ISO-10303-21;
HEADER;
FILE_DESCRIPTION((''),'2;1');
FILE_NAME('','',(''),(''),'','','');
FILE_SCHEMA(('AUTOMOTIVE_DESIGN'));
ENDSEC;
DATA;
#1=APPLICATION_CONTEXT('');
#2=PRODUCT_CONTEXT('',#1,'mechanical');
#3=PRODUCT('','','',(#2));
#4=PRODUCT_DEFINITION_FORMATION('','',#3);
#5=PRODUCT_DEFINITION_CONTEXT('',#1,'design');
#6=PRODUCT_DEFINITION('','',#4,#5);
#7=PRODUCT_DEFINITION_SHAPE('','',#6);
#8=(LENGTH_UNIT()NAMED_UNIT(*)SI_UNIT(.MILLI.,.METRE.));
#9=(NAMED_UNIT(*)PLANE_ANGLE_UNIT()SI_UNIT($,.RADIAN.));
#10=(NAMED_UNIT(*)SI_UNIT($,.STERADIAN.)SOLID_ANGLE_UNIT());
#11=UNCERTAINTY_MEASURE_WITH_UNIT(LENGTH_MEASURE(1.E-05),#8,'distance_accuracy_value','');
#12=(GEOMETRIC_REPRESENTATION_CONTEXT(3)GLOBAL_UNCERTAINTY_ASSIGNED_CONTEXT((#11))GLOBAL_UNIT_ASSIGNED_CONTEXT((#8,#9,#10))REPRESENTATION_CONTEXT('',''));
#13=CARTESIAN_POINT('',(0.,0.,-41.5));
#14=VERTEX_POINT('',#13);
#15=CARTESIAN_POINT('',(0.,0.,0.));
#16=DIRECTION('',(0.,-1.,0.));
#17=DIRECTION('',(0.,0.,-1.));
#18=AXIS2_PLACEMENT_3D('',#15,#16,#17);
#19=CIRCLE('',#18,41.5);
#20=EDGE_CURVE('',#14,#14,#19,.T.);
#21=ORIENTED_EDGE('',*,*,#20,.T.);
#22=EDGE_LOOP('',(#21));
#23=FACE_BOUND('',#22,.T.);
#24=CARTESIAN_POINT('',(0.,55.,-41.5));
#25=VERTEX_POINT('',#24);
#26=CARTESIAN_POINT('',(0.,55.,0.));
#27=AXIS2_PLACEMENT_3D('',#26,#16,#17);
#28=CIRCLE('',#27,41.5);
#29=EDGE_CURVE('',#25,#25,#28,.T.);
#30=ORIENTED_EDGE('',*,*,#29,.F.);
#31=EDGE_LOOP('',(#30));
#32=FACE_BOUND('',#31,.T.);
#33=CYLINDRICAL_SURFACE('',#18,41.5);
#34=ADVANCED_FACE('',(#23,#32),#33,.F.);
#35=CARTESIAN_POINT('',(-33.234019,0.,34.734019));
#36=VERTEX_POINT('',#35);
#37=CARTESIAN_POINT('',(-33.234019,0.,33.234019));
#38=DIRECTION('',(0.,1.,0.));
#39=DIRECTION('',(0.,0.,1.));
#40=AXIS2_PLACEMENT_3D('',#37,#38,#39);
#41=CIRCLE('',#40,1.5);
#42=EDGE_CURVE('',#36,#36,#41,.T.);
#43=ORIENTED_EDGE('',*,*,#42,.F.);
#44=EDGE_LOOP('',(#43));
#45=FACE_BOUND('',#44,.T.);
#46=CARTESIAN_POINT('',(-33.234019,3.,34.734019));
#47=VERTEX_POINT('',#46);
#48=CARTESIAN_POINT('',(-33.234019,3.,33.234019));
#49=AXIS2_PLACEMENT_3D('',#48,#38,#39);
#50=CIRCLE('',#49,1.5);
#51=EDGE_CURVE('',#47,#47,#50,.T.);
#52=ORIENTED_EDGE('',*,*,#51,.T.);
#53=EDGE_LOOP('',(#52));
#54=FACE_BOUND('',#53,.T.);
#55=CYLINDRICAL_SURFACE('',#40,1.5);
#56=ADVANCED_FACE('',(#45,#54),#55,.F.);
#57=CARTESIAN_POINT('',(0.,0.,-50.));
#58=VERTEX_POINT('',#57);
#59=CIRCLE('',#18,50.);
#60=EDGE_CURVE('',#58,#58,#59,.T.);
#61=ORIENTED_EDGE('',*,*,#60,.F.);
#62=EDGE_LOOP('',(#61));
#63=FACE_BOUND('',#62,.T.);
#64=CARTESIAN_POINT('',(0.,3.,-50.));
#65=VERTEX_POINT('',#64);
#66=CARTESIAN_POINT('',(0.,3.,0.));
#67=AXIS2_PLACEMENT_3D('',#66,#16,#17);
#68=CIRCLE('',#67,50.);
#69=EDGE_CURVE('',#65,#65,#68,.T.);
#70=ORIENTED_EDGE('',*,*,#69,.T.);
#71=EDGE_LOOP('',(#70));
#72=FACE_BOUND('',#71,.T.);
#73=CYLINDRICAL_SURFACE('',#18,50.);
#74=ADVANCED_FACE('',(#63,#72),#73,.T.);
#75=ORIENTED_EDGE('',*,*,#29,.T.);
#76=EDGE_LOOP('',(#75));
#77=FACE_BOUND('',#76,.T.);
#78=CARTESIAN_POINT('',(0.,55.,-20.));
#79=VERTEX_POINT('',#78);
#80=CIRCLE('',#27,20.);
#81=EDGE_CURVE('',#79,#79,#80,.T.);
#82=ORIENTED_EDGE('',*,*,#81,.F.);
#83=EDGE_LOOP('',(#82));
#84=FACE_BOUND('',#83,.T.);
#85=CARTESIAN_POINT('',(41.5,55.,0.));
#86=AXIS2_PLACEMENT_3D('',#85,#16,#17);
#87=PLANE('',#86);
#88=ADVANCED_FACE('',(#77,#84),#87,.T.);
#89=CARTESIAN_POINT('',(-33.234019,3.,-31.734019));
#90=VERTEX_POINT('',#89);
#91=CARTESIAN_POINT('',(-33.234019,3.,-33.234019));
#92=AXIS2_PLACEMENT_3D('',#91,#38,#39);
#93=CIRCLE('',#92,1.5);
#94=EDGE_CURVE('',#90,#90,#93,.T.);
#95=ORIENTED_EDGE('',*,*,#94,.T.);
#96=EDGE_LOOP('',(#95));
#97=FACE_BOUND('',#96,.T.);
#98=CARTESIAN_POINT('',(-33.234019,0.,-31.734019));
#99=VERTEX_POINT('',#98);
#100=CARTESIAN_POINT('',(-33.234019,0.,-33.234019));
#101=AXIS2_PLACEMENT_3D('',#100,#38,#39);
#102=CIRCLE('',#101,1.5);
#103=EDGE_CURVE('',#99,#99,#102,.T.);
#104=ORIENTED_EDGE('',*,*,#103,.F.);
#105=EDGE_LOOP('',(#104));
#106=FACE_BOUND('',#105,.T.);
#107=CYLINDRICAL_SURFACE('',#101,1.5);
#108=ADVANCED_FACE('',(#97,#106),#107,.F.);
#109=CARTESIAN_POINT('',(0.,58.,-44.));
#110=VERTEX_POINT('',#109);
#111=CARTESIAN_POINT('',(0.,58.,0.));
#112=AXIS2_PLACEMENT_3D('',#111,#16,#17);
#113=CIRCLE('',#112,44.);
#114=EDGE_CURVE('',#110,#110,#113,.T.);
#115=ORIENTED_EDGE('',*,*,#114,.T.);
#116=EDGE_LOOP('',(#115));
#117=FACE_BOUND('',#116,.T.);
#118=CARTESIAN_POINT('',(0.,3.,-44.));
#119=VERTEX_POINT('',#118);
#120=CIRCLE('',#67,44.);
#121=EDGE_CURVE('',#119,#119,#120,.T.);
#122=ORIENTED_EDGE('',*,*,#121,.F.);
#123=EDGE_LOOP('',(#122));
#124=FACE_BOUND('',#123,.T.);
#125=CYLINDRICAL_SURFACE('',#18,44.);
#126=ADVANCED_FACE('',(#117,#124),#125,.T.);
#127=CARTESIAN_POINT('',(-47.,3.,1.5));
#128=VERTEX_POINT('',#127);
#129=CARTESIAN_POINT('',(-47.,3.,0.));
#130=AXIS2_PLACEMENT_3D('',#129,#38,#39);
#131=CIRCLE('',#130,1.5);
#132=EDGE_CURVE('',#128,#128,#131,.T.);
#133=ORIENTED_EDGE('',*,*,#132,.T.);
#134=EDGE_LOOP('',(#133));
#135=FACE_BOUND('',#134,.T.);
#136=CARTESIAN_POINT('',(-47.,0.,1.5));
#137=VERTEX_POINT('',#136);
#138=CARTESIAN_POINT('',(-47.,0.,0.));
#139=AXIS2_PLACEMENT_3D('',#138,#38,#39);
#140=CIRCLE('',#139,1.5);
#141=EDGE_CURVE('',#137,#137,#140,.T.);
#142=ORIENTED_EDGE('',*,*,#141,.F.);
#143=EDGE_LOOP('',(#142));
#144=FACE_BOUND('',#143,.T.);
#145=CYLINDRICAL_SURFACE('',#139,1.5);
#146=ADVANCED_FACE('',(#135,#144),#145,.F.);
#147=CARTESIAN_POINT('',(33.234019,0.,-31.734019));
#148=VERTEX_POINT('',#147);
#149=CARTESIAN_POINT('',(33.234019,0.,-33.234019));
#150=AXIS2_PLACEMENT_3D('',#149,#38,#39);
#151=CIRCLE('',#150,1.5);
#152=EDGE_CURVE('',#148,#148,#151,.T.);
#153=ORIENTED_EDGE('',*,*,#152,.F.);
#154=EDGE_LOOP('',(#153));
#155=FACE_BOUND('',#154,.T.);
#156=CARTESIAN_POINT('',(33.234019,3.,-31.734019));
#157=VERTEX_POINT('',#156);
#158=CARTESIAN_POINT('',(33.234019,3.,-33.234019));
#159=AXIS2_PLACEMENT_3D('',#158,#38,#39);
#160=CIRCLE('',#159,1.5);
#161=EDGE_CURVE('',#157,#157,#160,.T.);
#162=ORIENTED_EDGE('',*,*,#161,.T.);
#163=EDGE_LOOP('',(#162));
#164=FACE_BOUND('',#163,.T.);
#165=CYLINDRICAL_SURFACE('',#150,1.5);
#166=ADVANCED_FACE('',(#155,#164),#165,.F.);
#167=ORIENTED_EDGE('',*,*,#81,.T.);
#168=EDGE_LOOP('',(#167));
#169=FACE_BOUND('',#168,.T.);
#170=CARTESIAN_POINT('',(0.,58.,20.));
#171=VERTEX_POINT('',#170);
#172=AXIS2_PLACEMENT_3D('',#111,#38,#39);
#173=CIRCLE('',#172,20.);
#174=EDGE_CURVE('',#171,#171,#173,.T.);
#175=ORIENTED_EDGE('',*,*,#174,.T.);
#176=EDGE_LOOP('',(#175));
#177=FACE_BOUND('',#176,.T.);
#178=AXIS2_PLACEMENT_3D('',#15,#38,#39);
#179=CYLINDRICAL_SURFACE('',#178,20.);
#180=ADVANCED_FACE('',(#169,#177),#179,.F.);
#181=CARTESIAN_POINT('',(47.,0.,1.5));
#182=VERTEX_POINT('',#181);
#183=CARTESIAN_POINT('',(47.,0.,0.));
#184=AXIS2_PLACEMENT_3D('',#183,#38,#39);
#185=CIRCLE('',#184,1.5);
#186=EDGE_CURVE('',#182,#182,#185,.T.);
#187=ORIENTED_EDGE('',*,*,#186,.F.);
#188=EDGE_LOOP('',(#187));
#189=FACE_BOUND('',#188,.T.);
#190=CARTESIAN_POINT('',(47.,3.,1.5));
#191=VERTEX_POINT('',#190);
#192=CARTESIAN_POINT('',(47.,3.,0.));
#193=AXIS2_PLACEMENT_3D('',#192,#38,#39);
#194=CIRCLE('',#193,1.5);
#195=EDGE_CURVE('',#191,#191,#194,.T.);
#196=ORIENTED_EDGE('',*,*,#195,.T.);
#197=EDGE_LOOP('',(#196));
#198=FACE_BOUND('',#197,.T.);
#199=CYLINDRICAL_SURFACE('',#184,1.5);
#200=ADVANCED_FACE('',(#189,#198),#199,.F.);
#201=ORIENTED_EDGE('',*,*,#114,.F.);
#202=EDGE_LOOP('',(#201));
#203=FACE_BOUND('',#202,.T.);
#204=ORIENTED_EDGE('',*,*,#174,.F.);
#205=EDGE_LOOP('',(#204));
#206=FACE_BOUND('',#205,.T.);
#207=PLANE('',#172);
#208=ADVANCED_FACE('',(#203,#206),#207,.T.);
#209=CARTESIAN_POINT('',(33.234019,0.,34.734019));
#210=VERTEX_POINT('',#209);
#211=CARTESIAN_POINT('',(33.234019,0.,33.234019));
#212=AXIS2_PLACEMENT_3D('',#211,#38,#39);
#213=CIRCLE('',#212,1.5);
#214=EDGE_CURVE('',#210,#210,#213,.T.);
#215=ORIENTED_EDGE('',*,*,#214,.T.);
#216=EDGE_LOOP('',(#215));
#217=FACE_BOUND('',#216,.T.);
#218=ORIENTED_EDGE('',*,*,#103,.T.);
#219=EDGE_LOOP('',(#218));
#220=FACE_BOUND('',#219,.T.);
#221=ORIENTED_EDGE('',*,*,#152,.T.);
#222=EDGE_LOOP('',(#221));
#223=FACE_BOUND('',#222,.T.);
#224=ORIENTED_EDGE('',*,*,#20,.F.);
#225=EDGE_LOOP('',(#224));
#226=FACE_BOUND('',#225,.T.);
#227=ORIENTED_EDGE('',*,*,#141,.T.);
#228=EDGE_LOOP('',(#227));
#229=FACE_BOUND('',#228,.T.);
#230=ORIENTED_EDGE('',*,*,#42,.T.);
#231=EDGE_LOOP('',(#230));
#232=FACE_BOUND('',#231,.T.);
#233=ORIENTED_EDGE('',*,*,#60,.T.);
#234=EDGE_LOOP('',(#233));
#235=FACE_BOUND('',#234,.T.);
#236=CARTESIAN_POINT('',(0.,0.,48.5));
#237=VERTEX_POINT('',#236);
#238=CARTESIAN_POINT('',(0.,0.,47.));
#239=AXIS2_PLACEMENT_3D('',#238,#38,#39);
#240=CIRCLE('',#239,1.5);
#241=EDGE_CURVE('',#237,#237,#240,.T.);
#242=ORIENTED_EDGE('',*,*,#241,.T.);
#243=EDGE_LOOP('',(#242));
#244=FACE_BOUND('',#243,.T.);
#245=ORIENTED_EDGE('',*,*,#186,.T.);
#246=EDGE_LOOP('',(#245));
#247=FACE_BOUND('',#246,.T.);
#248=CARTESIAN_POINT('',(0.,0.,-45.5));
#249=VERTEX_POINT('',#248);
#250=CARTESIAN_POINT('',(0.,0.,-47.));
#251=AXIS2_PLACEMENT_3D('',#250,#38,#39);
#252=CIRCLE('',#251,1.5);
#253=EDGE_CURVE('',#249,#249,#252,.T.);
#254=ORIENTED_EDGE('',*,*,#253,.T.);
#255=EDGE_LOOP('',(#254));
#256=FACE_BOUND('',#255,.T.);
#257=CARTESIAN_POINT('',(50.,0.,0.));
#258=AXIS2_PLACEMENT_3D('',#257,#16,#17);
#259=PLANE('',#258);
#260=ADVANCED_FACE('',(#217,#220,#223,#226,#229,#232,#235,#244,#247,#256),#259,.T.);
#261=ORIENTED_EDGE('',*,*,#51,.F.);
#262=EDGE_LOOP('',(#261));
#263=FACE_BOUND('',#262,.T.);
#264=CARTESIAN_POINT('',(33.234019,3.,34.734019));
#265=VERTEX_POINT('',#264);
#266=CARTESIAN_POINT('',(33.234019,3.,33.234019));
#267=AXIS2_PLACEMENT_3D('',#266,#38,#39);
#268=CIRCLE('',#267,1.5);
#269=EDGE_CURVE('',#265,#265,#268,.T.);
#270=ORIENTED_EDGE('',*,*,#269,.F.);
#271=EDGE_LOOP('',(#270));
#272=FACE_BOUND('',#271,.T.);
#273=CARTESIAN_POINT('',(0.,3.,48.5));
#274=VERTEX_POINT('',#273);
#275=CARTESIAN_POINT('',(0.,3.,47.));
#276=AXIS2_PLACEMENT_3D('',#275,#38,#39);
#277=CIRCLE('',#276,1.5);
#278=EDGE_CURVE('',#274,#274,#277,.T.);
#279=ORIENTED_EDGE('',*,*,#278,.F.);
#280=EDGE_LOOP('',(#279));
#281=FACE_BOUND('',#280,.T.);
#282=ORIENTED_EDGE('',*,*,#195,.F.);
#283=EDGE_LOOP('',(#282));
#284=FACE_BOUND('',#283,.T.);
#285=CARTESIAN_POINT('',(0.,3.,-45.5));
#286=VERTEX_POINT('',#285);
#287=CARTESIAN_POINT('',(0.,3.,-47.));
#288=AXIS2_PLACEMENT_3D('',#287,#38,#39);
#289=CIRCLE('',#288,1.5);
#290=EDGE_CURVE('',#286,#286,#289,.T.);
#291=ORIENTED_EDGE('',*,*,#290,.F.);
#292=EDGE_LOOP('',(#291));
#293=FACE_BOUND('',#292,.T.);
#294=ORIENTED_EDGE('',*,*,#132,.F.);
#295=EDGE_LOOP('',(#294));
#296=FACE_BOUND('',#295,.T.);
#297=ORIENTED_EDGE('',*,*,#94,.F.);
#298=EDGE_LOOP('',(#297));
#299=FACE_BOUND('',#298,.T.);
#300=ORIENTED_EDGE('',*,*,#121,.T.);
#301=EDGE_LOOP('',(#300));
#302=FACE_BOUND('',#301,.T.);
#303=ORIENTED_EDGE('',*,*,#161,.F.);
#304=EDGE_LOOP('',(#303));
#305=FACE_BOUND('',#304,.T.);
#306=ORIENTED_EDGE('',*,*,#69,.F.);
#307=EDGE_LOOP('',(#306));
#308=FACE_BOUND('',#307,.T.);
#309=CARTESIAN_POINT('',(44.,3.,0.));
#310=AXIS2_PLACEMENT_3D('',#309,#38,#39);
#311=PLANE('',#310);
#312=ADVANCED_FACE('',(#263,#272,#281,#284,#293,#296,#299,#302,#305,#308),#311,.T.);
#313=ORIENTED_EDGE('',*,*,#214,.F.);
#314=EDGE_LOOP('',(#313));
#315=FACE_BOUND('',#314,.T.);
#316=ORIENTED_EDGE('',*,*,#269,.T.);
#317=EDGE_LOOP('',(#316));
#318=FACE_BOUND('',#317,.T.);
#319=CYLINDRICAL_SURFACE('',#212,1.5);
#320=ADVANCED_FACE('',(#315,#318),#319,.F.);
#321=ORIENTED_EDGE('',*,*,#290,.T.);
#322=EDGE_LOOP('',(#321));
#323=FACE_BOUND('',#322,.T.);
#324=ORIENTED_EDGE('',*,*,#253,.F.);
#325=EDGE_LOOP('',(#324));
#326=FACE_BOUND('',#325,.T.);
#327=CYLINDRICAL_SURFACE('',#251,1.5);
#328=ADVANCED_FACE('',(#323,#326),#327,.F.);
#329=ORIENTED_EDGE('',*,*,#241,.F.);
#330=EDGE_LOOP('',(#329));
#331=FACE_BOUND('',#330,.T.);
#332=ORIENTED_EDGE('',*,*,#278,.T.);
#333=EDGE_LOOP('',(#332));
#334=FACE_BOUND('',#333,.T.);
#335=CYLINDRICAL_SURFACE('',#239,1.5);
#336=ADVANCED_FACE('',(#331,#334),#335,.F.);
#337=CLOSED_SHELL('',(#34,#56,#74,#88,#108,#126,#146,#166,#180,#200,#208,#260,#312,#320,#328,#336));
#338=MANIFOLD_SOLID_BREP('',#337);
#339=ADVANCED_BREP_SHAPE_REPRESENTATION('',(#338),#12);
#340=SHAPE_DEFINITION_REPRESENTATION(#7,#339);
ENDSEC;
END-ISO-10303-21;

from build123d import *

# Parameters (mm, degrees)
SKETCH2_R          = 1.5
CUT_EXTRUDE1_DEPTH = 90.582364336
SKETCH3_R          = 20
CUT_EXTRUDE2_DEPTH = 92.454906921


with BuildPart() as part:
    # Sketch1 → Revolve1 (revolve)
    with BuildSketch(Plane.XY, mode=Mode.PRIVATE) as revolve1_sk:
        Polygon((0, 58), (44, 58), (44, 3), (50, 3), (50, 0), (41.5, 0), (41.5, 55), (0, 55), align=None)
    revolve(revolve1_sk.sketch.rotate(Axis((0, 0, 0), (0, 1, 0)), 90), axis=Axis((0, 0, 0), (0, 1, 0)))

    # Sketch2 → Cut-Extrude1 (cut, through all)
    with BuildSketch(Plane(origin=(0, 3, 0), x_dir=(1, 0, 0), z_dir=(0, 1, 0))):
        with Locations(Location((0, -47, 0), (0, 0, 270))):
            Circle(SKETCH2_R)
        with Locations(Location((-33.234018716, -33.234018716, 0), (0, 0, 270))):
            Circle(SKETCH2_R)
        with Locations(Location((-47, 0, 0), (0, 0, 270))):
            Circle(SKETCH2_R)
        with Locations(Location((-33.234018716, 33.234018716, 0), (0, 0, 270))):
            Circle(SKETCH2_R)
        with Locations(Location((0, 47, 0), (0, 0, 270))):
            Circle(SKETCH2_R)
        with Locations(Location((33.234018716, 33.234018716, 0), (0, 0, 270))):
            Circle(SKETCH2_R)
        with Locations(Location((47, 0, 0), (0, 0, 270))):
            Circle(SKETCH2_R)
        with Locations(Location((33.234018716, -33.234018716, 0), (0, 0, 270))):
            Circle(SKETCH2_R)
    extrude(amount=-CUT_EXTRUDE1_DEPTH, mode=Mode.SUBTRACT)

    # Sketch3 → Cut-Extrude2 (cut, through all)
    with BuildSketch(Plane(origin=(0, 58, 0), x_dir=(1, 0, 0), z_dir=(0, 1, 0))):
        with Locations(Location((0, 0, 0), (0, 0, 270))):
            Circle(SKETCH3_R)
    extrude(amount=-CUT_EXTRUDE2_DEPTH, mode=Mode.SUBTRACT)


solid = part.part
